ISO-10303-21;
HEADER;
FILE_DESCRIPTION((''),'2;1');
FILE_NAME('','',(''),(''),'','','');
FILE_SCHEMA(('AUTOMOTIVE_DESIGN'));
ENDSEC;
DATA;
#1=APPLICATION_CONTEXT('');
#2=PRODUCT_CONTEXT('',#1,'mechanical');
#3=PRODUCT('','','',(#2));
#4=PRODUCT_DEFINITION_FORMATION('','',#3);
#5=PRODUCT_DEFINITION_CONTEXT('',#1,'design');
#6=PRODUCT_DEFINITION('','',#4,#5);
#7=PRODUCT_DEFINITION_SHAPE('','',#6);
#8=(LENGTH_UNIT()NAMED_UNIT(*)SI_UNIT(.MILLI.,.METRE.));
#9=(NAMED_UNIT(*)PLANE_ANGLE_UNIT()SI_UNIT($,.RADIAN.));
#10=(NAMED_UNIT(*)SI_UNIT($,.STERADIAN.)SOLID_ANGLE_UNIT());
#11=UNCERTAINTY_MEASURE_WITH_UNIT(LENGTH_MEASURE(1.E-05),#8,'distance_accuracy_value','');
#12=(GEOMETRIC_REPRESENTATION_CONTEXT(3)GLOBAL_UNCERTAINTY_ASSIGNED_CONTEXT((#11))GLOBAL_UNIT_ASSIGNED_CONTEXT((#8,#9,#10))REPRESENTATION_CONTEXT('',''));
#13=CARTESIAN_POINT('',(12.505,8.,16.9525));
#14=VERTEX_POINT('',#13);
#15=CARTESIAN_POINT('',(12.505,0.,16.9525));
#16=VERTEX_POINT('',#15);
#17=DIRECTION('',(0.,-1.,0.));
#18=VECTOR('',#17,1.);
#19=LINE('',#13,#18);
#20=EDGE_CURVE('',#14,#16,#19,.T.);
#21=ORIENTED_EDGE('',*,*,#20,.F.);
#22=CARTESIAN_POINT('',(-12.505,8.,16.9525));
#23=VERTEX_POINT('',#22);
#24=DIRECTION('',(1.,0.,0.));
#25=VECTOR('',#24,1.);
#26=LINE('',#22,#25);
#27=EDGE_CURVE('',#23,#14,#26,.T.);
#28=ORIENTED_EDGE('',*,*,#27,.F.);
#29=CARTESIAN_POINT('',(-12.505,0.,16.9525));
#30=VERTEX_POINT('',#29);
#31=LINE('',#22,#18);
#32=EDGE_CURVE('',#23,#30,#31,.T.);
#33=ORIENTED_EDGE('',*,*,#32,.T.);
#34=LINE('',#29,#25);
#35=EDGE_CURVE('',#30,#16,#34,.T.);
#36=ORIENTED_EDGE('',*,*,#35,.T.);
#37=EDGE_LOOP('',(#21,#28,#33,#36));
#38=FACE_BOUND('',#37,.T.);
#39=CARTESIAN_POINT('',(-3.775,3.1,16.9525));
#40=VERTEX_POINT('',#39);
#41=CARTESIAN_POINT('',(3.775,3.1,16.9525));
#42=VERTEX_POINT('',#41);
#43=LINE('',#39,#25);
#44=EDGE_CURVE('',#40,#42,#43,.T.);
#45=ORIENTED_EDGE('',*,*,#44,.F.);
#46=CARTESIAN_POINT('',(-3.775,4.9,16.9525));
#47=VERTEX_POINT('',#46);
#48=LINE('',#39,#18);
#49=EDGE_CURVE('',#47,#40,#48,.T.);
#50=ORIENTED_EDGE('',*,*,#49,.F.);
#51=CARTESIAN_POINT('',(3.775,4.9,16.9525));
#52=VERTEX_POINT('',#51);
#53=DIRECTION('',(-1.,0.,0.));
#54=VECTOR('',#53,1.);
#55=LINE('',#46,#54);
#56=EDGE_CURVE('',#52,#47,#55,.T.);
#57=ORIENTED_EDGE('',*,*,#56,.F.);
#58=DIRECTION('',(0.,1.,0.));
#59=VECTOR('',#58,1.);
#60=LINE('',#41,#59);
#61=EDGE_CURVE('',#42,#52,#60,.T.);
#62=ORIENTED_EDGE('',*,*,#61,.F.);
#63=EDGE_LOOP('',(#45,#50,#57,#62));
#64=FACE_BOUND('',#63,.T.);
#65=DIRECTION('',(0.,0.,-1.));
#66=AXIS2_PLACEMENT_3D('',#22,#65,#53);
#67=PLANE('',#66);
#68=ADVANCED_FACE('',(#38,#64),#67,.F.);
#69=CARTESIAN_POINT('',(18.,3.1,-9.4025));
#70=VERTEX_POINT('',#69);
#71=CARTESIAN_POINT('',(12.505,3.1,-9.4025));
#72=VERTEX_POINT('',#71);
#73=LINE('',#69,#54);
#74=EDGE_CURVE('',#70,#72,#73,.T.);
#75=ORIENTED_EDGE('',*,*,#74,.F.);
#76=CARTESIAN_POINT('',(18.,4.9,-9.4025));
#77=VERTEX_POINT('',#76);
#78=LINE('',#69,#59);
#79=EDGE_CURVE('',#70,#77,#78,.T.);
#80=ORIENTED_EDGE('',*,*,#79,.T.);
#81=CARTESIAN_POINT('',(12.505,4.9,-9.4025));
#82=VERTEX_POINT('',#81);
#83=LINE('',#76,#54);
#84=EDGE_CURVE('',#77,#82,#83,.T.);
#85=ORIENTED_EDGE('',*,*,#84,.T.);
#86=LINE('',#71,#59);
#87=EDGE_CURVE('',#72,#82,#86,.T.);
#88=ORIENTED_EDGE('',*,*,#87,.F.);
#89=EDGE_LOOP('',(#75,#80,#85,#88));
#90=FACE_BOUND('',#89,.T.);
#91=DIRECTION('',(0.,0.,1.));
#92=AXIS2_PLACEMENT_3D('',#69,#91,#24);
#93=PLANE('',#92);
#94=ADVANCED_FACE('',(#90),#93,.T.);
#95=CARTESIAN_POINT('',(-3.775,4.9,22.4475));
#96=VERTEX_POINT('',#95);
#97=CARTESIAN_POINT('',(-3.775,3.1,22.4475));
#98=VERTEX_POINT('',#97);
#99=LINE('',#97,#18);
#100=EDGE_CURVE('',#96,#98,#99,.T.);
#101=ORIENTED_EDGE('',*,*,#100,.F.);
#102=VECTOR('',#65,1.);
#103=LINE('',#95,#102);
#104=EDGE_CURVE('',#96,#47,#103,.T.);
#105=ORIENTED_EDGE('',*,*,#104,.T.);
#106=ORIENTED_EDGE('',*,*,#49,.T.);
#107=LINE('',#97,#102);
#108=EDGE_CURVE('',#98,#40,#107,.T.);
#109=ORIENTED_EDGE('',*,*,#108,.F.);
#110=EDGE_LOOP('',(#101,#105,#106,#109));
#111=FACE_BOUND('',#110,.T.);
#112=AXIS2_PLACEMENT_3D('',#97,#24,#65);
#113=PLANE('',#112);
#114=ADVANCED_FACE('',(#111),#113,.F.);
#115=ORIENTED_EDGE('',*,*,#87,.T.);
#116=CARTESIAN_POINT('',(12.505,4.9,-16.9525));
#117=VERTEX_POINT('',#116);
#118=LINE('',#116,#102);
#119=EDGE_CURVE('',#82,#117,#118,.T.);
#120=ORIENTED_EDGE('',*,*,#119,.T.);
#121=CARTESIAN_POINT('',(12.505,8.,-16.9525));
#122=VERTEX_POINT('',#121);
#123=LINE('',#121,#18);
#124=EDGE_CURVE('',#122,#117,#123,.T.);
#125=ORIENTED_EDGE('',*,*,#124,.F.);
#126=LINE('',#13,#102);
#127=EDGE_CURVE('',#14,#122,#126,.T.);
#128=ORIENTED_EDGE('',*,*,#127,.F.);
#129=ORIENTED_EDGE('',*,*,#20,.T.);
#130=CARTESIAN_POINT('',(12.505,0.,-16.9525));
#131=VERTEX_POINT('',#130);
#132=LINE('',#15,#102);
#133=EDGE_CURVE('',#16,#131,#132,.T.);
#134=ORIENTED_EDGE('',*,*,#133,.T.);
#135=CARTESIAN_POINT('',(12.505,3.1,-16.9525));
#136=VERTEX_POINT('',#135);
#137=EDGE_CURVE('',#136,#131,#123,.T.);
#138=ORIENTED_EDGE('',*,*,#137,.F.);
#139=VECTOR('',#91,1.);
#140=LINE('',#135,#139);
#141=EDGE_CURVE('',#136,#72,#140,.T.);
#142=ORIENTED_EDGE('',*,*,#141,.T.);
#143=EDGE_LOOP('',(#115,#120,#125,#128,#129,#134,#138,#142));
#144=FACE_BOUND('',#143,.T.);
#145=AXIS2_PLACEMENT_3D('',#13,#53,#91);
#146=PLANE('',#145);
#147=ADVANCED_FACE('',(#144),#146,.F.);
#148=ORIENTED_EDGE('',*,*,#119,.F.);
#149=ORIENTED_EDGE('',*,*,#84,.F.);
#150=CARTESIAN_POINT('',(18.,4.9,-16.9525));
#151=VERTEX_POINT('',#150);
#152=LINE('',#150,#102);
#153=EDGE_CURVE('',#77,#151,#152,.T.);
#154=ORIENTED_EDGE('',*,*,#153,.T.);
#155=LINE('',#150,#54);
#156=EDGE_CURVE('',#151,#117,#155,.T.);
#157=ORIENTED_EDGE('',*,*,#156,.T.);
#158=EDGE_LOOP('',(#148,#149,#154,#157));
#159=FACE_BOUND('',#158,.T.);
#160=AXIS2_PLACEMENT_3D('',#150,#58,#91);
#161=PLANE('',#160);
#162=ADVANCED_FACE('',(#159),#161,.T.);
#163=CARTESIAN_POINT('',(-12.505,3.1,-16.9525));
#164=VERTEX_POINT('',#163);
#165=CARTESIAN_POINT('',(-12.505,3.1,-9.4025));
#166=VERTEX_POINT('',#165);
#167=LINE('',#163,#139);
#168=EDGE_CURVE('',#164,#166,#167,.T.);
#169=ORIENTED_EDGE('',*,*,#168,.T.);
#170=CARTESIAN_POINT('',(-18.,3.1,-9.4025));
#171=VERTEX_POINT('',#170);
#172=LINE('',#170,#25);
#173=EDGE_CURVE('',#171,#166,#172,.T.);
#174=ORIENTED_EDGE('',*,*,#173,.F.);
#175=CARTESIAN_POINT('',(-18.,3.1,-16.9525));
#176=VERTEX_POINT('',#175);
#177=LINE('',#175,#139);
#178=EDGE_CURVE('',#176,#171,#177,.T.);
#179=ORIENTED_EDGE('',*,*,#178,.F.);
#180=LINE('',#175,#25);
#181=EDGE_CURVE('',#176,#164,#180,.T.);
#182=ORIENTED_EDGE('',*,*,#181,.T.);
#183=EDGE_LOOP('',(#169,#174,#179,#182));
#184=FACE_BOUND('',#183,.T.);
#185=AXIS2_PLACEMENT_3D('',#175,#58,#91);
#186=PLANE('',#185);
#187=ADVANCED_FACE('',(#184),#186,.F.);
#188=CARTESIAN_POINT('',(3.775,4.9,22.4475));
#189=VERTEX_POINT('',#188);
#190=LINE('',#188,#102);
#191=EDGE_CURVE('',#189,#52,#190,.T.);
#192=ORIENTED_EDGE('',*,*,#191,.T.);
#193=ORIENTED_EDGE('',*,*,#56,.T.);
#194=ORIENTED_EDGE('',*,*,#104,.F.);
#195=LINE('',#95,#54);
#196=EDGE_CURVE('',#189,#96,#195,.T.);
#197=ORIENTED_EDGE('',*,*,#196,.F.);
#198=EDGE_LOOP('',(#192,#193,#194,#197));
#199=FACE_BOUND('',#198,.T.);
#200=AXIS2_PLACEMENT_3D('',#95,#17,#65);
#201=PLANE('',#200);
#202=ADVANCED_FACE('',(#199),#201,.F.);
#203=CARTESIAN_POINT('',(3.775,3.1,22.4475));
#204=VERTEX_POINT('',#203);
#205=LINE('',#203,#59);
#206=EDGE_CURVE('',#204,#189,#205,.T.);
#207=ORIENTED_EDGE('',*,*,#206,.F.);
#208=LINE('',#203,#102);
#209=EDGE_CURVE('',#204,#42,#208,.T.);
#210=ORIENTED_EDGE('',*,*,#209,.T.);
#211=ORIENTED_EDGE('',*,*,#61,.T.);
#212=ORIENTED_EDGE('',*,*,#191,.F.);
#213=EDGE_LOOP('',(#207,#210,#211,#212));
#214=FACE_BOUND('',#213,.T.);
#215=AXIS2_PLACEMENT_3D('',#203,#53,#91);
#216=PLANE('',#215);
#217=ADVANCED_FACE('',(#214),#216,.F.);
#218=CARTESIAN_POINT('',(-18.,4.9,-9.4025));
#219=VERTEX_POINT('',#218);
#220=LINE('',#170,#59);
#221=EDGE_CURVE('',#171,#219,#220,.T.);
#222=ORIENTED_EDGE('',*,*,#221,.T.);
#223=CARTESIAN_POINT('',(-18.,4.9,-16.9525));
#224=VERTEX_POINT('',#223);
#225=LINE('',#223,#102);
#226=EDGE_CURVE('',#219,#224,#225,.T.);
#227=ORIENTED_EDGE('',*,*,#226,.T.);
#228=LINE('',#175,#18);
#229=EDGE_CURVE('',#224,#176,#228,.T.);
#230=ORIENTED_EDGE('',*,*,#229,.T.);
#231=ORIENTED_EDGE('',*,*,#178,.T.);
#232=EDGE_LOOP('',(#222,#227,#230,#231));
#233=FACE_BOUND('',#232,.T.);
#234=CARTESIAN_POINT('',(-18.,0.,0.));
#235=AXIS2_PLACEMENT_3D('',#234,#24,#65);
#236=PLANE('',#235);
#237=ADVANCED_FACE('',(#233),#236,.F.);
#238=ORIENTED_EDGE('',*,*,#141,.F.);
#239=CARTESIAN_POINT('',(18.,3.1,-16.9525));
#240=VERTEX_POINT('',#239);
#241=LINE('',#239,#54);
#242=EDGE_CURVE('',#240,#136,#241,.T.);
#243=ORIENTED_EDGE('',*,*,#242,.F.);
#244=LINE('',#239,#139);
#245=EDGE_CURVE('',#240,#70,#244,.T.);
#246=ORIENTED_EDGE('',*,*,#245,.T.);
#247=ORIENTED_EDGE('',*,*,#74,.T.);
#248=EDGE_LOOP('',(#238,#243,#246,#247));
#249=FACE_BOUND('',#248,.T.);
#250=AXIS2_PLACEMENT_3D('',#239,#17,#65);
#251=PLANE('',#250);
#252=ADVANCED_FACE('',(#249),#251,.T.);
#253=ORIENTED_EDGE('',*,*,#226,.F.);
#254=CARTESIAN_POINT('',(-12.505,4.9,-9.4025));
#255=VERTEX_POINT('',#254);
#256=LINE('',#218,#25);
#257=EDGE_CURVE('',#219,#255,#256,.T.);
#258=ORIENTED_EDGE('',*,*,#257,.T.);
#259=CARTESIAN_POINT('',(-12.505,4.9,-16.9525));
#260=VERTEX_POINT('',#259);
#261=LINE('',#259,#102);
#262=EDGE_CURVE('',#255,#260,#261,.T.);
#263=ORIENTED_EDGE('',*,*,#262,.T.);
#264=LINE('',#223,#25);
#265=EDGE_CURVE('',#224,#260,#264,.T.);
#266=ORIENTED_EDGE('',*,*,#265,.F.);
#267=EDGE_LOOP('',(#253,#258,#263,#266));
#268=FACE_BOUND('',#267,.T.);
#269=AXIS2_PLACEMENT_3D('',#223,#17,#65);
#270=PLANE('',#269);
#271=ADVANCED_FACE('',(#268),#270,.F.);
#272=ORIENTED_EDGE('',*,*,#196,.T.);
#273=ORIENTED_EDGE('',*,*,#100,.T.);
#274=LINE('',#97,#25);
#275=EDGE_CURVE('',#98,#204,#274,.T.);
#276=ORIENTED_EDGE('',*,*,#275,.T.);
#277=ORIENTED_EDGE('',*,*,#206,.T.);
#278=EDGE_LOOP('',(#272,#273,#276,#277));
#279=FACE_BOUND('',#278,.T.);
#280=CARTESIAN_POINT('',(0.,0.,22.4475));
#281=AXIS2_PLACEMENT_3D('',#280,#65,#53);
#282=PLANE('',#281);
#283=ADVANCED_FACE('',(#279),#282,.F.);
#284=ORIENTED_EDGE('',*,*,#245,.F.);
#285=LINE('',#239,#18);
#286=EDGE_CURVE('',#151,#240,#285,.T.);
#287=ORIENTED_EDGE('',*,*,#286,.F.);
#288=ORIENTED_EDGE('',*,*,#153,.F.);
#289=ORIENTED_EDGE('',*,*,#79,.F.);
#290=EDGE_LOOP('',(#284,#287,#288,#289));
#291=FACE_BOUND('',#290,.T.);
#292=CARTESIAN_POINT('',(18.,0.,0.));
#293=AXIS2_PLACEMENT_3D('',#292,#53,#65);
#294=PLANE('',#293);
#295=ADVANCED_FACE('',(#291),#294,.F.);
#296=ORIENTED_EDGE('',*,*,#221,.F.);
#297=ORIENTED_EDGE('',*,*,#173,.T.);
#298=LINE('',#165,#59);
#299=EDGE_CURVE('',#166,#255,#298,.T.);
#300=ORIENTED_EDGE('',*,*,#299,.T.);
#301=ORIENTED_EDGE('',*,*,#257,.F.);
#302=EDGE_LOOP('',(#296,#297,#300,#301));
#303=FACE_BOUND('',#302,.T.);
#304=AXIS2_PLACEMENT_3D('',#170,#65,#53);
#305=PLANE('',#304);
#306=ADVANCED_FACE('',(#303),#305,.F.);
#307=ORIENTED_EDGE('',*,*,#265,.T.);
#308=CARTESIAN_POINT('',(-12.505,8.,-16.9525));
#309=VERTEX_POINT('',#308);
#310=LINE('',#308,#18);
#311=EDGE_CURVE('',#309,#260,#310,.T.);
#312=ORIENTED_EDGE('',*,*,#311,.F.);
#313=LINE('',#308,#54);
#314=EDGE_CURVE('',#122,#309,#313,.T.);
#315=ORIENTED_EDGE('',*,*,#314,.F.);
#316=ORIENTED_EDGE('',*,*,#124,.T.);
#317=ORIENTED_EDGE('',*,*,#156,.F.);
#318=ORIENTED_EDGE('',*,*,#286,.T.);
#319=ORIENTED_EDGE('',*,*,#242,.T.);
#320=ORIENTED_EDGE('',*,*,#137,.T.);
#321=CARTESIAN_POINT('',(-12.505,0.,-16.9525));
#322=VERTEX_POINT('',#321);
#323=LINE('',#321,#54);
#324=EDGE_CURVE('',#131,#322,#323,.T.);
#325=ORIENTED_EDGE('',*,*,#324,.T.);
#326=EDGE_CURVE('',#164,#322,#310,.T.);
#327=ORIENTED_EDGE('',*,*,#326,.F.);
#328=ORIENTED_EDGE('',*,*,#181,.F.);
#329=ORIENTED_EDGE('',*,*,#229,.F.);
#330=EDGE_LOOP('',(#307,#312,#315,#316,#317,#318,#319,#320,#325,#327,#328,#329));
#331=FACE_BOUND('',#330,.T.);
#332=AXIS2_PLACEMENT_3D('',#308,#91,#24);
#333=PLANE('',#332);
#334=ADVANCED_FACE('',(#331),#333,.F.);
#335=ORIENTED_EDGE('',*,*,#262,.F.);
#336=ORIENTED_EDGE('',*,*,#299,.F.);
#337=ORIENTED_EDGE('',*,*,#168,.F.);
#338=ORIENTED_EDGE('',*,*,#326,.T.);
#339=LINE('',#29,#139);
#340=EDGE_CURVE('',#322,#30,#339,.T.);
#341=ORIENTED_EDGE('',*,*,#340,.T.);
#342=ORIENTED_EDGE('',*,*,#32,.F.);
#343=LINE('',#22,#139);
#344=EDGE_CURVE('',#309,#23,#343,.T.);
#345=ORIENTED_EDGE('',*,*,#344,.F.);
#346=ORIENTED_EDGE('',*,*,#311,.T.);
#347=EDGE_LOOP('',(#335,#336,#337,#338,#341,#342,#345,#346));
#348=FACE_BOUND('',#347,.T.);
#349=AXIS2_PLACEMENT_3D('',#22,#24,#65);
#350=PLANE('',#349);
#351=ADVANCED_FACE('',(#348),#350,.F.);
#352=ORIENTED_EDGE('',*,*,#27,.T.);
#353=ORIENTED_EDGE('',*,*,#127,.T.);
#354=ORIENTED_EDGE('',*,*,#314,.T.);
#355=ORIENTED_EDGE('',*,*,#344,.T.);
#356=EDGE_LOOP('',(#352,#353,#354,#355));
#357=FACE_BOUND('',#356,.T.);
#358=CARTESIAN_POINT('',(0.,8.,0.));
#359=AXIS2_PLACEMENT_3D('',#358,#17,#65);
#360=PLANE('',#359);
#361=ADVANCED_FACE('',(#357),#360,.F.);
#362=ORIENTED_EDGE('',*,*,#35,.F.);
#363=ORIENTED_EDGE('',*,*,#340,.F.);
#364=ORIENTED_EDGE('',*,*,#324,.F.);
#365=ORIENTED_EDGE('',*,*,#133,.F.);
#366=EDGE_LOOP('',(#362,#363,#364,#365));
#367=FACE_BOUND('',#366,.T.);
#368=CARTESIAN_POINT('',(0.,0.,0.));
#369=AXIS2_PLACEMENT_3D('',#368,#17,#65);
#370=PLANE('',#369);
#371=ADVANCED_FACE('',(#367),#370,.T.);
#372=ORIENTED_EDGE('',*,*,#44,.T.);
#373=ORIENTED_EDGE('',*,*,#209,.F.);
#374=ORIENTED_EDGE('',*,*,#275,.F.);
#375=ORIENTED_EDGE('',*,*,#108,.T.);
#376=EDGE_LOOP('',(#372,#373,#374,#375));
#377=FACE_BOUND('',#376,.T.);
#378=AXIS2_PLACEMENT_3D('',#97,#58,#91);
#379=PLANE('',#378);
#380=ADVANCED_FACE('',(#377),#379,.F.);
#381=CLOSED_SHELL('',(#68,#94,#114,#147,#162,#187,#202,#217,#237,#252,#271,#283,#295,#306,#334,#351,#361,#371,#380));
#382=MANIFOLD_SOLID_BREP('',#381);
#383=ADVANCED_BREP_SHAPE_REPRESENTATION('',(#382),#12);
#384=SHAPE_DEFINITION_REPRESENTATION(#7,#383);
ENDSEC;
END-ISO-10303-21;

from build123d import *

# Parameters (mm, degrees)
SKETCH1_W           = 25.01
SKETCH1_H           = 33.905
BOSS_EXTRUDE1_DEPTH = 8
SKETCH2_W           = 7.55
SKETCH2_H           = 1.8
BOSS_EXTRUDE2_DEPTH = 5.495
SKETCH3_W           = 7.55
SKETCH3_H           = 1.8
BOSS_EXTRUDE3_DEPTH = 5.495


with BuildPart() as part:
    # Sketch1 → Boss-Extrude1 (new body)
    with BuildSketch(Plane(origin=(0, 0, 0), x_dir=(1, 0, 0), z_dir=(0, 1, 0))):
        Rectangle(SKETCH1_W, SKETCH1_H)
    extrude(amount=BOSS_EXTRUDE1_DEPTH)

    # Sketch2 → Boss-Extrude2 (add)
    with BuildSketch(Plane.XY.offset(16.9525)):
        with Locations((0, 4)):
            Rectangle(SKETCH2_W, SKETCH2_H)
    extrude(amount=BOSS_EXTRUDE2_DEPTH)

    # Sketch3 → Boss-Extrude3 (add)
    with BuildSketch(Plane.ZY.offset(12.505)):
        with Locations((-13.1775, 4)):
            Rectangle(SKETCH3_W, SKETCH3_H)
    boss_extrude3 = extrude(amount=BOSS_EXTRUDE3_DEPTH)

    # Mirror2: Boss-Extrude3 across plane
    add(boss_extrude3.mirror(Plane(origin=(0, 0, 0), x_dir=(0, 0, 1), z_dir=(1, 0, 0))))


solid = part.part
